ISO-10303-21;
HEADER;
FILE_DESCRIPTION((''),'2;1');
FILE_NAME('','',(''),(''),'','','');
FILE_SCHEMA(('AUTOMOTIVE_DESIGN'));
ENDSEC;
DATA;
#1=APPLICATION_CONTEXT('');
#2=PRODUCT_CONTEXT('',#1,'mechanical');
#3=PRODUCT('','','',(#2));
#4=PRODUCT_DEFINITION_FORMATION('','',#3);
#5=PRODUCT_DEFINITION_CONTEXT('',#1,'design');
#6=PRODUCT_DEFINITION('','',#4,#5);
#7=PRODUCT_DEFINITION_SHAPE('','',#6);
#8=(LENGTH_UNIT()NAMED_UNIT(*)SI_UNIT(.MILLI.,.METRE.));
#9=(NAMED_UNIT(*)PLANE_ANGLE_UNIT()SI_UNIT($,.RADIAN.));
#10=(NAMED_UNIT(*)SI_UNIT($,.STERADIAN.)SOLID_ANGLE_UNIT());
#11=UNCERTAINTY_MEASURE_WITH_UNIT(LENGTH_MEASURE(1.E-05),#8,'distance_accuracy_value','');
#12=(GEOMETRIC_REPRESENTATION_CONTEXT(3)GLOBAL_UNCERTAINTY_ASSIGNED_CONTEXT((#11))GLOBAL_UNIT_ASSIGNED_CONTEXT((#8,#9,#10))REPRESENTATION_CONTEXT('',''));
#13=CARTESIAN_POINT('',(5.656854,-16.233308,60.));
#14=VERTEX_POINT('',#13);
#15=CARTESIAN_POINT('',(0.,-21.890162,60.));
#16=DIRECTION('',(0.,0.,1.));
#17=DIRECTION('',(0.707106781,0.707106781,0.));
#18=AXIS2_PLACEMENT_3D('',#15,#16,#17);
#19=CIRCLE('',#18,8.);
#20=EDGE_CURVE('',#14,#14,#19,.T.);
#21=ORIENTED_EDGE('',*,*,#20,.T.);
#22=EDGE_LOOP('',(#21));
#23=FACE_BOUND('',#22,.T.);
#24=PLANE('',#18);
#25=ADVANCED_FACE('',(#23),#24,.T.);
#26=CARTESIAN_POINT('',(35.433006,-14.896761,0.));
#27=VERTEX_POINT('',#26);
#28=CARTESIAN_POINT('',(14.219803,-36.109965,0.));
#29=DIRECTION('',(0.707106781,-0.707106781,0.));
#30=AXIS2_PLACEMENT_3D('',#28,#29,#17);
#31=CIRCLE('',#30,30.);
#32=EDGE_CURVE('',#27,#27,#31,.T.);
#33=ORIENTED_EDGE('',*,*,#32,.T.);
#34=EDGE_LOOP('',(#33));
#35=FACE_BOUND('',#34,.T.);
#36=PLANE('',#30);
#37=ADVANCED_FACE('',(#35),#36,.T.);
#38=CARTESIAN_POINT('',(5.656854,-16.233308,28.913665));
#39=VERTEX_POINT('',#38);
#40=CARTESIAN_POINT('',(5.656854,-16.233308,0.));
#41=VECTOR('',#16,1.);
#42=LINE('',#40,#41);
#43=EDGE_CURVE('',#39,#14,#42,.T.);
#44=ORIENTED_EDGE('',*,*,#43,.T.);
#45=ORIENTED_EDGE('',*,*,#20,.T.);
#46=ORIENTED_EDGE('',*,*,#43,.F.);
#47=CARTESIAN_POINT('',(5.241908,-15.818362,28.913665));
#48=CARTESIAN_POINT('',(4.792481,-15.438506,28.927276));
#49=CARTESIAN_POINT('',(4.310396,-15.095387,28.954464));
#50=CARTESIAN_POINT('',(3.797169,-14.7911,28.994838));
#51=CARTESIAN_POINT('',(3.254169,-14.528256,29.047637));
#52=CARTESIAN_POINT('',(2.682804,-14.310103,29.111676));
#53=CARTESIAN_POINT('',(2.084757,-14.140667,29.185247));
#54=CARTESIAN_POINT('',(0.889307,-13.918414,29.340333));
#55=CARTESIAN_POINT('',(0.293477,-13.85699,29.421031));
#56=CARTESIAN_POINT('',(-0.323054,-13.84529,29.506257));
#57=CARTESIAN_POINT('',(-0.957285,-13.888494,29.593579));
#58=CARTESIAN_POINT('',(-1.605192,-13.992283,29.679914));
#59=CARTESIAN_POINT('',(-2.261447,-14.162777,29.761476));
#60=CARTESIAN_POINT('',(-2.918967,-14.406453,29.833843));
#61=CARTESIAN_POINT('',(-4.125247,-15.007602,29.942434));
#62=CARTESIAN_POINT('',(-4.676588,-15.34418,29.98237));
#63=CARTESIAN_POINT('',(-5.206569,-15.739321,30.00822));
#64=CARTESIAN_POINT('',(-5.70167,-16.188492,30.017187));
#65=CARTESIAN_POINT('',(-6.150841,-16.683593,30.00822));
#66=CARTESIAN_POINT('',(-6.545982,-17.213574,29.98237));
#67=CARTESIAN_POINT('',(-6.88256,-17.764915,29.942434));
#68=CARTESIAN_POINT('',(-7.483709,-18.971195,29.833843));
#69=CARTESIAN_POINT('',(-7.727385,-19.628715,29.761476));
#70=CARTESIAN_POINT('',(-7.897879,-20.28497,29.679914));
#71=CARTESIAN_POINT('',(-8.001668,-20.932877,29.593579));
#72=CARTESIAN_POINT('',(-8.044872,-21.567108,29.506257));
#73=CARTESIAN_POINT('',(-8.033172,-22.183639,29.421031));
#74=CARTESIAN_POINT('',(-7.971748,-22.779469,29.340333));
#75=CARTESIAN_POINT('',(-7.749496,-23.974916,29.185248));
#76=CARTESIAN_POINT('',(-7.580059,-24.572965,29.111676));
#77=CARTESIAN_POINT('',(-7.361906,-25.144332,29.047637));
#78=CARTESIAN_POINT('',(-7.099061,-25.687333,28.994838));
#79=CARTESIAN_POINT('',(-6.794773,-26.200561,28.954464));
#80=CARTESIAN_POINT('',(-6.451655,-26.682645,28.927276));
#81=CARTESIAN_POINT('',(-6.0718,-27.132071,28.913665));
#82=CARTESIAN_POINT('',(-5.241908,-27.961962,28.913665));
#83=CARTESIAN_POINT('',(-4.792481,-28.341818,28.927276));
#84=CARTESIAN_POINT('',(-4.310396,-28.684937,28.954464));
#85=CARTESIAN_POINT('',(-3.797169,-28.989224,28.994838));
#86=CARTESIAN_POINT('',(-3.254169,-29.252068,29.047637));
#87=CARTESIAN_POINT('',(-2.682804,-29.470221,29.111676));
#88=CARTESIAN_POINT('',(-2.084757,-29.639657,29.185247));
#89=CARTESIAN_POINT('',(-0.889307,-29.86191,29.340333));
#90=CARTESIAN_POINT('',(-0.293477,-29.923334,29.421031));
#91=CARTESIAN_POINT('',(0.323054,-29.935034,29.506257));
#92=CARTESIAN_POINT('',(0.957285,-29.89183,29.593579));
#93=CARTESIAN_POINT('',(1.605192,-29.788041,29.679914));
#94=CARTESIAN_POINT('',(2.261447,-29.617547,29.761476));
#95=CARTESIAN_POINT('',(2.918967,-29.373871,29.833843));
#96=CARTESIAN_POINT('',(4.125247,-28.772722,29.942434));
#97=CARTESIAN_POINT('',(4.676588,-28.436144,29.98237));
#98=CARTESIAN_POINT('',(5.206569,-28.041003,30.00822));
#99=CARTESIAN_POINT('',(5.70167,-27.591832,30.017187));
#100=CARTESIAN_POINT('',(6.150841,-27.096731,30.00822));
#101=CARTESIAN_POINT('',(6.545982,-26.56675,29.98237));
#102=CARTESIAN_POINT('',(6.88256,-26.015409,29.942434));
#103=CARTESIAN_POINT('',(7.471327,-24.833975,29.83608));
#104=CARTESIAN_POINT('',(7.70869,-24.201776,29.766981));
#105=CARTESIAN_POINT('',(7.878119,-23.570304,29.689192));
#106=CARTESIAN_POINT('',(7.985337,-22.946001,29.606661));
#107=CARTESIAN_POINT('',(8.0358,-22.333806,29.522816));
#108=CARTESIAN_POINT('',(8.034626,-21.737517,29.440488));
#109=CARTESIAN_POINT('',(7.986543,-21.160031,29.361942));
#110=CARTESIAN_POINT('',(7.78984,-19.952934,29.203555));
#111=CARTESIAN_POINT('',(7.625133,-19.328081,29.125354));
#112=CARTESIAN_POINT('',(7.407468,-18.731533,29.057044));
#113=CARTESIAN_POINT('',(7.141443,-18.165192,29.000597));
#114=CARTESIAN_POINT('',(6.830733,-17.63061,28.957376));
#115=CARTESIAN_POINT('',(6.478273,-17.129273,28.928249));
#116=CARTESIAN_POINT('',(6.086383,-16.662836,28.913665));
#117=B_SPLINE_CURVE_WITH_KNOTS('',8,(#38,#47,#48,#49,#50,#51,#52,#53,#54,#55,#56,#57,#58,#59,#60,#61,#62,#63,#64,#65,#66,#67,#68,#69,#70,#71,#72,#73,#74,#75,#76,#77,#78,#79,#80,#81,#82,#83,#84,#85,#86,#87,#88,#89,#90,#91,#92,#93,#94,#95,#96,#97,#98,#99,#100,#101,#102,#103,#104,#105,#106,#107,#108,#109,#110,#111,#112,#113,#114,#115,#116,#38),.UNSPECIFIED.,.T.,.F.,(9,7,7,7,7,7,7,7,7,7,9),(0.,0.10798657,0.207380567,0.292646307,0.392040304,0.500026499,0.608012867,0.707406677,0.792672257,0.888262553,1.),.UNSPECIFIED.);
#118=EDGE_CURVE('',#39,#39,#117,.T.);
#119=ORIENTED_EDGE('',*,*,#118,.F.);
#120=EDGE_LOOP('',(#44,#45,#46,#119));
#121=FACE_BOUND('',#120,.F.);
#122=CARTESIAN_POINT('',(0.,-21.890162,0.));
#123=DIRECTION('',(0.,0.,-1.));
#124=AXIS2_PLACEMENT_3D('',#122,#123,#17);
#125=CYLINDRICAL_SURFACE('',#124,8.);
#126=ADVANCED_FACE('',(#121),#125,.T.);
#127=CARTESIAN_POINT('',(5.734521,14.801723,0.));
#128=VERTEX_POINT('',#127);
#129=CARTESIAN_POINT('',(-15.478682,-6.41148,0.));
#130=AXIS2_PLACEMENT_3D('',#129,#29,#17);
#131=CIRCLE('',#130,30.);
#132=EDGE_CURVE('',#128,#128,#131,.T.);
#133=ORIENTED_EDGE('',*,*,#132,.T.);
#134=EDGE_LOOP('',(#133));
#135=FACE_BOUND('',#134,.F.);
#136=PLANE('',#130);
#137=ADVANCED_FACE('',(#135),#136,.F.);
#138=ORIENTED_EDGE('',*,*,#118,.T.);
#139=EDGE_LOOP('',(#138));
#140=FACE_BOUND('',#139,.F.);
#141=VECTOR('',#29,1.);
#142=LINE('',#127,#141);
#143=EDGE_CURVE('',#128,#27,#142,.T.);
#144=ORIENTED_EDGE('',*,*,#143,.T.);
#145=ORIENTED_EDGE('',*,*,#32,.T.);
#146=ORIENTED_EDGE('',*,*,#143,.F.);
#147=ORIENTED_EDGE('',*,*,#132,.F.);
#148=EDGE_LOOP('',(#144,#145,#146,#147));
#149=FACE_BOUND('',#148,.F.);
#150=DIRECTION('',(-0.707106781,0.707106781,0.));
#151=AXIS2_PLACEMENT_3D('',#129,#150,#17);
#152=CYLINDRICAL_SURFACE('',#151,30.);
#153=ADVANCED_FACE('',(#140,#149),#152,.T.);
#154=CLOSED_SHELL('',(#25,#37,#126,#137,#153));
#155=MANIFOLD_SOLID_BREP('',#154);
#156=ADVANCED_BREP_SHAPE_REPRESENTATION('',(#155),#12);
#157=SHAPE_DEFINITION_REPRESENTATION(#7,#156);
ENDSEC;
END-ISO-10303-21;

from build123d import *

# Parameters (mm, degrees)
F0_R     = 30
F1_DEPTH = 42
F2_R     = 8
F3_DEPTH = 60
F4_ANGLE = 45


with BuildPart() as f1:
    # F0 (on Front) → F1 (new body)
    with BuildSketch(Plane.XZ):
        Circle(F0_R)
    extrude(amount=F1_DEPTH)

    # F2 (on Top) → F3 (join)
    with BuildSketch(Plane.XY):
        with Locations((0, -21.890162)):
            Circle(F2_R)
    extrude(amount=F3_DEPTH)


with BuildPart() as f1_1:
    # F4: moved
    add(f1.part.rotate(Axis((0, -21.890162, 60), (0, 0, 1)), F4_ANGLE))


solid = f1_1.part
